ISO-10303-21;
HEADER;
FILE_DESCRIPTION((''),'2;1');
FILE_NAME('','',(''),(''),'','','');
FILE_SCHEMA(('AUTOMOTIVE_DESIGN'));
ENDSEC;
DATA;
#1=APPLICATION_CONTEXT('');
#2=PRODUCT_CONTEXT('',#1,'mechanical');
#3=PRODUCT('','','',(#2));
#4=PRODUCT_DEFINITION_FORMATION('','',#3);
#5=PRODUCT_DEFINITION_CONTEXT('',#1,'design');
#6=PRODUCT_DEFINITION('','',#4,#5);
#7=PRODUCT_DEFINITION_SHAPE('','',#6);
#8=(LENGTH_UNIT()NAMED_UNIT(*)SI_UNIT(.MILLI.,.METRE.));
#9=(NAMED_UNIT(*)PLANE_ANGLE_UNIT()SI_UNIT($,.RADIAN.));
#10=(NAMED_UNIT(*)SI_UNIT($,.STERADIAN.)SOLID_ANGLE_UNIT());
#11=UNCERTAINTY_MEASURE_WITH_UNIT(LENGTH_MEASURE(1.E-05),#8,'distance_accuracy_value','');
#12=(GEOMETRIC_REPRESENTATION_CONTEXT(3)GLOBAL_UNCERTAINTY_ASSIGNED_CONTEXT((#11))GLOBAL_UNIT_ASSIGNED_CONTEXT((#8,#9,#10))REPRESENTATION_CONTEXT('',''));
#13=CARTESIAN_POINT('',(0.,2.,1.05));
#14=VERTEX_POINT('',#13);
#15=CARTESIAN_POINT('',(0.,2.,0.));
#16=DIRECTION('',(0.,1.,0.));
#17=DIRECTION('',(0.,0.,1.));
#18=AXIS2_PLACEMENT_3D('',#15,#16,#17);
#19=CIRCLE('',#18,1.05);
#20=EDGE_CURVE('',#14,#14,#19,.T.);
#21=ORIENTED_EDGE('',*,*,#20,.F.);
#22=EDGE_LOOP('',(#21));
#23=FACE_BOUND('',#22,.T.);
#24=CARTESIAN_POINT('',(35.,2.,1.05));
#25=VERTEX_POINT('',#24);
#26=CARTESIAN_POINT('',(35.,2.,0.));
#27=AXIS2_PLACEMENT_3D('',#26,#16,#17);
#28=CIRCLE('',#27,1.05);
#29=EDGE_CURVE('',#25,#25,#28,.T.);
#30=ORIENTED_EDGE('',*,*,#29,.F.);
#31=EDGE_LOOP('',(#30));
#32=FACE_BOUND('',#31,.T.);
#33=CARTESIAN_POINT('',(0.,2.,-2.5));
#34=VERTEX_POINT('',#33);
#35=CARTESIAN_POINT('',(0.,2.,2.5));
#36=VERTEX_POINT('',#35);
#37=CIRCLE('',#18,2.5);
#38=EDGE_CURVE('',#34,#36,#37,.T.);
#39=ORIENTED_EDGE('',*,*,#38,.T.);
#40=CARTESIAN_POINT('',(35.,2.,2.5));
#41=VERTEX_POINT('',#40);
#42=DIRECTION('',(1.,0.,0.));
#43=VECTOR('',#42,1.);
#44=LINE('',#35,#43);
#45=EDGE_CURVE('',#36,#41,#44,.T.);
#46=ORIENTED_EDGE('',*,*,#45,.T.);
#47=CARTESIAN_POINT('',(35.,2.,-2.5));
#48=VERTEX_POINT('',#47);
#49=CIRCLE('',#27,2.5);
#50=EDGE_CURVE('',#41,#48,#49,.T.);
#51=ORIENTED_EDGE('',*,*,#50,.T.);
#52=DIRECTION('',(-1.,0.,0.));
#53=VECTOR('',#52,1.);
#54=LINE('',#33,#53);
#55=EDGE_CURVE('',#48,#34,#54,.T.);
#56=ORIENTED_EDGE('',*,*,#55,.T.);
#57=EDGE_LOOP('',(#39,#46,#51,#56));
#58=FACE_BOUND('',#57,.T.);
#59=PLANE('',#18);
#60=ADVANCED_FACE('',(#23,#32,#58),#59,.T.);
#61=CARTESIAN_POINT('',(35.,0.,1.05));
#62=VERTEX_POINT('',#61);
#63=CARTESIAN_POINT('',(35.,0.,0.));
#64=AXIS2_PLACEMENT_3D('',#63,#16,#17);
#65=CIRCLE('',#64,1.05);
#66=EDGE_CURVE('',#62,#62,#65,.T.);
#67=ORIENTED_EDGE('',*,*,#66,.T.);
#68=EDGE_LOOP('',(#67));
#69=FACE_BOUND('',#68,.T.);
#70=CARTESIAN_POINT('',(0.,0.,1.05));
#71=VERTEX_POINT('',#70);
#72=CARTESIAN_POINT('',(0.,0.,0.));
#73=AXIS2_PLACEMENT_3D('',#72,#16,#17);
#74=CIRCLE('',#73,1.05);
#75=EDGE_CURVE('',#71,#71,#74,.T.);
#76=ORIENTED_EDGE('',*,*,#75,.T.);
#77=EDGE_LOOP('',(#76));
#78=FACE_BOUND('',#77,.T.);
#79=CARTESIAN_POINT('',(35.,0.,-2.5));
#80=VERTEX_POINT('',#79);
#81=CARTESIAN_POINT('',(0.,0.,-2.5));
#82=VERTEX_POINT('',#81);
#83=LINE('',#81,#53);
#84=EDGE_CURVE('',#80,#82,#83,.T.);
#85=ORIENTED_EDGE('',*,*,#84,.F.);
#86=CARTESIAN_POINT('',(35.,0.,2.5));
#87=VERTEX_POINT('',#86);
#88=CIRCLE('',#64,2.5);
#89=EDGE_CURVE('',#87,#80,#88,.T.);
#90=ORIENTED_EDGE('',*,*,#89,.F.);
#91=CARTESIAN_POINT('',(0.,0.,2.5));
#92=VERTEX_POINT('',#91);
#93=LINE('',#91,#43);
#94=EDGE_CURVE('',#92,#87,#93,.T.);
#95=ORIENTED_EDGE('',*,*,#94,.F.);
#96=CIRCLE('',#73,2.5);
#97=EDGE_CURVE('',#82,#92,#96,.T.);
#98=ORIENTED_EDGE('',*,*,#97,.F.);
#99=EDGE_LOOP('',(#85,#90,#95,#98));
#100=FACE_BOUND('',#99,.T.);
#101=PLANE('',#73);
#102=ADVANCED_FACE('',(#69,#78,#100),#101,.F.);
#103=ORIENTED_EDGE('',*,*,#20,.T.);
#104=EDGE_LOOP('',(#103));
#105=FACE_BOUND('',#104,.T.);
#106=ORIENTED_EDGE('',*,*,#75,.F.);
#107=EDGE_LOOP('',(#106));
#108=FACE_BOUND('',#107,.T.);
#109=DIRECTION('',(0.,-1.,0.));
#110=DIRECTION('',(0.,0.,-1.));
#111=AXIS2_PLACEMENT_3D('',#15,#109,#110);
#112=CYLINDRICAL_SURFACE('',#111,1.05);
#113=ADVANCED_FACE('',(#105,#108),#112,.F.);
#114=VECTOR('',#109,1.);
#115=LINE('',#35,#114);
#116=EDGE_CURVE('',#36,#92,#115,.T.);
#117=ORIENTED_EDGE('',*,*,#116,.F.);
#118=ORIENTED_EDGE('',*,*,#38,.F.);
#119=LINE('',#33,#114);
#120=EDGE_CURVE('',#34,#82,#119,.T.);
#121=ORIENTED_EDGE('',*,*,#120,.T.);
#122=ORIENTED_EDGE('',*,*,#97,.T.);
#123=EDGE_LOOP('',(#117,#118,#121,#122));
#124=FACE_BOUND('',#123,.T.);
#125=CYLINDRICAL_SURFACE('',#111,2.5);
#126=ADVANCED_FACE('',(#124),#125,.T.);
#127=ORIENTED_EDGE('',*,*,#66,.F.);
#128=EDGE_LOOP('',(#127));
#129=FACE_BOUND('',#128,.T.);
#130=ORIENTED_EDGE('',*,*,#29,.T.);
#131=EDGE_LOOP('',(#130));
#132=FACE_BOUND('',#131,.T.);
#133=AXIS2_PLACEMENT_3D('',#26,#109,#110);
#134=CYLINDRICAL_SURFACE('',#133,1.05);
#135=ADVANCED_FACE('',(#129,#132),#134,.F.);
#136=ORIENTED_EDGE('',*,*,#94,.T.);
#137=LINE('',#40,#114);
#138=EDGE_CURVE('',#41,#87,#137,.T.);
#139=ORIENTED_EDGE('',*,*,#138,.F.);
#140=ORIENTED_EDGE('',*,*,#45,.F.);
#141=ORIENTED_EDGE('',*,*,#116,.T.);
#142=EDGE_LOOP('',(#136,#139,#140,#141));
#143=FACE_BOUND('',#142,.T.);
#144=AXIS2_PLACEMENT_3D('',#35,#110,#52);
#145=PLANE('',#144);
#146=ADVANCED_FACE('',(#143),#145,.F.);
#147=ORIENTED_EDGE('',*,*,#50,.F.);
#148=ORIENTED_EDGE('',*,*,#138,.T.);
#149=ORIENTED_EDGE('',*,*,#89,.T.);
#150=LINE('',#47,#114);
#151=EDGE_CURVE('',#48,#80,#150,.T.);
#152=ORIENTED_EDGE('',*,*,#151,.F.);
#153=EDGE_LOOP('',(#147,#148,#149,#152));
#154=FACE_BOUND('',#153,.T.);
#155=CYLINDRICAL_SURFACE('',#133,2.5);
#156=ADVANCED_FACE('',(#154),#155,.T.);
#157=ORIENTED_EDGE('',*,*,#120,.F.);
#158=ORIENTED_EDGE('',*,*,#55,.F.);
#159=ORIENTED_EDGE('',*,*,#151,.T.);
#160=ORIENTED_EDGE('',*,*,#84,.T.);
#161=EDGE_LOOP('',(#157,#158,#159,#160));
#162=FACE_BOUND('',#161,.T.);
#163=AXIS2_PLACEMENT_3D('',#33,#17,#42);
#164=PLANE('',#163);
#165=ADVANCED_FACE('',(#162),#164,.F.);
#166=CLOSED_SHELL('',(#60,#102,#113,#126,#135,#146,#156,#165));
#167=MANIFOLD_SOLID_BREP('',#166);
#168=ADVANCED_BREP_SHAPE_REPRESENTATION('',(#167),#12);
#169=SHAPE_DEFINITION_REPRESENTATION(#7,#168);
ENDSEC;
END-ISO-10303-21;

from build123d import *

# Parameters (mm, degrees)
SKETCH1_R           = 1.05
BOSS_EXTRUDE1_DEPTH = 2


with BuildPart() as part:
    # Sketch1 → Boss-Extrude1 (new body)
    with BuildSketch(Plane(origin=(0, 0, 0), x_dir=(1, 0, 0), z_dir=(0, 1, 0))):
        with BuildLine():
            Line((0, 2.5), (35, 2.5))
            ThreePointArc((35, 2.5), (37.5, 0), (35, -2.5))
            Line((35, -2.5), (0, -2.5))
            ThreePointArc((0, -2.5), (-2.5, 0), (0, 2.5))
        make_face()
        with Locations(Location((0, 0, 0), (0, 0, 270))):
            Circle(SKETCH1_R, mode=Mode.SUBTRACT)
        with Locations(Location((35, 0, 0), (0, 0, 270))):
            Circle(SKETCH1_R, mode=Mode.SUBTRACT)
    extrude(amount=BOSS_EXTRUDE1_DEPTH)


solid = part.part
